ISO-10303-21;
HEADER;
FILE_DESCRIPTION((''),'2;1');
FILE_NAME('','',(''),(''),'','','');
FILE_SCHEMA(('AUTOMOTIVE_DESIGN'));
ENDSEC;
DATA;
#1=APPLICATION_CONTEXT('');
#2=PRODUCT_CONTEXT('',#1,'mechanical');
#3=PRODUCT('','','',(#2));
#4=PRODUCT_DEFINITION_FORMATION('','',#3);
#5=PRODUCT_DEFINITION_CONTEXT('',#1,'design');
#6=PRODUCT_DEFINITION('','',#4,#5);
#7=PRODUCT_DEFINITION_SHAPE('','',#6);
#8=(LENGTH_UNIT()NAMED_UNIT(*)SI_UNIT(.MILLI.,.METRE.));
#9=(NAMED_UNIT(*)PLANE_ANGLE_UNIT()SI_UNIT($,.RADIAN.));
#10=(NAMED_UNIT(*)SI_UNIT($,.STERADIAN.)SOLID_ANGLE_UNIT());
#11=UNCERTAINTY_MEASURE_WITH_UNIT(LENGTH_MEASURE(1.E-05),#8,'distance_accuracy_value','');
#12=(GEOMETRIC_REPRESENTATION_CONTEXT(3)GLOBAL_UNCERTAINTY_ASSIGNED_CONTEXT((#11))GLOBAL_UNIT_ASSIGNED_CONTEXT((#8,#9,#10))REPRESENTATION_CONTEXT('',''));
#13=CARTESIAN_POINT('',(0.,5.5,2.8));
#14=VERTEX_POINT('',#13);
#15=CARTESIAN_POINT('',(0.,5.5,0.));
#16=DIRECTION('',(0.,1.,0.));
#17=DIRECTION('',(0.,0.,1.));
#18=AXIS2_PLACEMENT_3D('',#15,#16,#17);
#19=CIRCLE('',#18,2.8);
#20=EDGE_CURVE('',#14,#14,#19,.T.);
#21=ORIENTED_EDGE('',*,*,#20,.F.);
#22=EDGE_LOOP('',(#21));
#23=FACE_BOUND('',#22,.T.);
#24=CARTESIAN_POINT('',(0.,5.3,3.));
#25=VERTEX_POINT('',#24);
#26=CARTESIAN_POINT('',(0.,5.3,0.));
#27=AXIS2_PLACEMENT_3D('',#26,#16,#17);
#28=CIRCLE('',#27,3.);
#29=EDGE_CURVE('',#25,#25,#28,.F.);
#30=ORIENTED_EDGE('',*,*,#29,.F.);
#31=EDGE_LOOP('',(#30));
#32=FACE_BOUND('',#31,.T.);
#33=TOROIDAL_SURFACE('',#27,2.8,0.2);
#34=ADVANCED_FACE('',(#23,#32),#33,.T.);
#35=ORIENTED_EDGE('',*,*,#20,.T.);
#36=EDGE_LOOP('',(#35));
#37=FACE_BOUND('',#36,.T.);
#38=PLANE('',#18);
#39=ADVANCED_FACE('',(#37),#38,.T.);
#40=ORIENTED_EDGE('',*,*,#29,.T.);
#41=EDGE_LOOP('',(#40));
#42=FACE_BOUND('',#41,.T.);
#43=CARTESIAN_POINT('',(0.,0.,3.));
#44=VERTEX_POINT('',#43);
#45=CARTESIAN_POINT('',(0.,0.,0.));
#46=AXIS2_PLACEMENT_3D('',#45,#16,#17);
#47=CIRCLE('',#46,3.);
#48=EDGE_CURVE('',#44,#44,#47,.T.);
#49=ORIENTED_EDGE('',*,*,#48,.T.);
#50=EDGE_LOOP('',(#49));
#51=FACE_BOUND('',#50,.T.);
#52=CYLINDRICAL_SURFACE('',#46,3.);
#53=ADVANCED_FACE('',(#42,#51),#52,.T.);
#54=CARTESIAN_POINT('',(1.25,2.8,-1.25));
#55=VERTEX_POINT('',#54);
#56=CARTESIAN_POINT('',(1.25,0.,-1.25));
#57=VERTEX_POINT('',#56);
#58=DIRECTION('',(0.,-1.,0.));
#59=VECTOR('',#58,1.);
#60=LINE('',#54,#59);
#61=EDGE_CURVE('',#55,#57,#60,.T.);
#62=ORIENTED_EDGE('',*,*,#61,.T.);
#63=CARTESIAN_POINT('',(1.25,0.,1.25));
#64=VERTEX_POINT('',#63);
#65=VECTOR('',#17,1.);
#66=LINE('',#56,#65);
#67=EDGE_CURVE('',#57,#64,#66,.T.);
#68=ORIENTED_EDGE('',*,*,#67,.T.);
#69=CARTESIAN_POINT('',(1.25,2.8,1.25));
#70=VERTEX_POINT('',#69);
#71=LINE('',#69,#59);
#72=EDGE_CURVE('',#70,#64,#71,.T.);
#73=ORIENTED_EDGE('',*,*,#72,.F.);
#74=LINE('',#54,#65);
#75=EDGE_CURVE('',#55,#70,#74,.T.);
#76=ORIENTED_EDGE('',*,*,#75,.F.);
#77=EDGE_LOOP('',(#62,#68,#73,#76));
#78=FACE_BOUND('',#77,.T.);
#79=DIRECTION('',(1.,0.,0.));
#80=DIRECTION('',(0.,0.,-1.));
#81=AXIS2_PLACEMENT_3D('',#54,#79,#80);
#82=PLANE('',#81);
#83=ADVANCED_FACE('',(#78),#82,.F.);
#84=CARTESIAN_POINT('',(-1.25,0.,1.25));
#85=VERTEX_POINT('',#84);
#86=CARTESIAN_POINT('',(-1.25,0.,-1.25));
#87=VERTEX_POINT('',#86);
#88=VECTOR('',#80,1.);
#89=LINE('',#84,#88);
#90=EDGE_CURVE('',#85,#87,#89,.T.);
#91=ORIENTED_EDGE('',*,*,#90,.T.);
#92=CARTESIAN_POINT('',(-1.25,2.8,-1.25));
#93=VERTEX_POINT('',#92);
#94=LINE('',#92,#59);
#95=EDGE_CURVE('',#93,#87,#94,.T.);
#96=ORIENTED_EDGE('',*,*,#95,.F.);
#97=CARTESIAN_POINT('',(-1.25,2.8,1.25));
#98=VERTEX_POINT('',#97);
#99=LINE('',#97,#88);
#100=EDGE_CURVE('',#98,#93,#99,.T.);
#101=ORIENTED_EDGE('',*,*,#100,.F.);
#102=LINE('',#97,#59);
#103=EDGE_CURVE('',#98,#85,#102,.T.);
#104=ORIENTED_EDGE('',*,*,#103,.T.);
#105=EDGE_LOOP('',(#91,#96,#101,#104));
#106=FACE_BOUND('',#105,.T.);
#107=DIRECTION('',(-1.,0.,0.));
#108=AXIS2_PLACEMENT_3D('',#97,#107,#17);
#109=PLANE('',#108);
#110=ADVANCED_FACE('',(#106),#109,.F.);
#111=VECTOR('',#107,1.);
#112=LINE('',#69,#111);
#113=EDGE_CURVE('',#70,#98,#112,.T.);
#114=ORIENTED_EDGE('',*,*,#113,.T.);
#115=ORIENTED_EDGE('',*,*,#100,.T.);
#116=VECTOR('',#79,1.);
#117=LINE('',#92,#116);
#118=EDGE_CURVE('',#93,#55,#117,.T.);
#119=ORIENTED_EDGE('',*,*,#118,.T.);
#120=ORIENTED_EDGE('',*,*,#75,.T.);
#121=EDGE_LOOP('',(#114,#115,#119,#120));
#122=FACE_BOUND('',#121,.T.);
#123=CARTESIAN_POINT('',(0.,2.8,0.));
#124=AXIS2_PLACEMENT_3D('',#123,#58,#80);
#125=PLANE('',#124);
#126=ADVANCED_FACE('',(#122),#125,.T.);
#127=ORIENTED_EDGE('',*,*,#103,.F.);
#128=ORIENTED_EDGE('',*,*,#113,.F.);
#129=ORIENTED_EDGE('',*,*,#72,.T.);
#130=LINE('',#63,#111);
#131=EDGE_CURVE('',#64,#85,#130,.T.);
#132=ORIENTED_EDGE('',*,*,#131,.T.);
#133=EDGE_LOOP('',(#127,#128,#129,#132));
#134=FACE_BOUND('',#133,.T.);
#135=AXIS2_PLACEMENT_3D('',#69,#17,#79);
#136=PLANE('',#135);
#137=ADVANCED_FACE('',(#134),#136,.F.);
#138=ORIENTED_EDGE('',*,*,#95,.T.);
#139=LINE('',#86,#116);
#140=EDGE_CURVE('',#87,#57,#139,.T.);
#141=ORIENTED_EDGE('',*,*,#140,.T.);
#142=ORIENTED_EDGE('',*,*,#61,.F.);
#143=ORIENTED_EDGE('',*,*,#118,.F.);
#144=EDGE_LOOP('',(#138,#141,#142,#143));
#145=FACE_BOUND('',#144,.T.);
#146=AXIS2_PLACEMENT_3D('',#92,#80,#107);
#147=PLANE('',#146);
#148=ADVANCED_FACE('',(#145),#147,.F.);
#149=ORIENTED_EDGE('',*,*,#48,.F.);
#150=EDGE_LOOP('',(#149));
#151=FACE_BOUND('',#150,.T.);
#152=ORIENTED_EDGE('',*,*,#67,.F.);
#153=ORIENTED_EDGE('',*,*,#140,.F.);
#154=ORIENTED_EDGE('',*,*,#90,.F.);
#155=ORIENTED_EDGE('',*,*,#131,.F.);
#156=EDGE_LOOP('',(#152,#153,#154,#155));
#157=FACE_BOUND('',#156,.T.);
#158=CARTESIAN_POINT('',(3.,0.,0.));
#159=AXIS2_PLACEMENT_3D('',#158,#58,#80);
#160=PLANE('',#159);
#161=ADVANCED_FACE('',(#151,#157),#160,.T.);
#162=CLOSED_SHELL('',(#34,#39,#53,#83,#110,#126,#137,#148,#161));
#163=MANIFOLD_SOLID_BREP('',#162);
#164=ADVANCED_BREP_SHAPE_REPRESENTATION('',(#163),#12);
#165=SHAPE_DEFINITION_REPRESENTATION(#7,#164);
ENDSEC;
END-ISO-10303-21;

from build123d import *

# Parameters (mm, degrees)
SKETCH1_W          = 3
SKETCH1_H          = 5.5
SKETCH2_W          = 2.5
SKETCH2_H          = 2.5
CUT_EXTRUDE1_DEPTH = 2.8
FILLET1_R          = 0.2


with BuildPart() as part:
    # Sketch1 → Revolve1 (revolve)
    with BuildSketch(Plane(origin=(0, 0, 0), x_dir=(-1, 0, 0), z_dir=(0, 0, -1)), mode=Mode.PRIVATE) as revolve1_sk:
        with Locations((-1.5, 2.75)):
            Rectangle(SKETCH1_W, SKETCH1_H)
    revolve(revolve1_sk.sketch.rotate(Axis((0, 0, 0), (0, 1, 0)), 270), axis=Axis((0, 0, 0), (0, 1, 0)))

    # Sketch2 → Cut-Extrude1 (cut)
    with BuildSketch(Plane.XZ):
        Rectangle(SKETCH2_W, SKETCH2_H)
    extrude(amount=-CUT_EXTRUDE1_DEPTH, mode=Mode.SUBTRACT)

    # Fillet1
    fillet1_edges = [part.edges().sort_by_distance(p)[0] for p in [
        (0, 5.5, -3),
    ]]
    fillet(fillet1_edges, radius=FILLET1_R)


solid = part.part
